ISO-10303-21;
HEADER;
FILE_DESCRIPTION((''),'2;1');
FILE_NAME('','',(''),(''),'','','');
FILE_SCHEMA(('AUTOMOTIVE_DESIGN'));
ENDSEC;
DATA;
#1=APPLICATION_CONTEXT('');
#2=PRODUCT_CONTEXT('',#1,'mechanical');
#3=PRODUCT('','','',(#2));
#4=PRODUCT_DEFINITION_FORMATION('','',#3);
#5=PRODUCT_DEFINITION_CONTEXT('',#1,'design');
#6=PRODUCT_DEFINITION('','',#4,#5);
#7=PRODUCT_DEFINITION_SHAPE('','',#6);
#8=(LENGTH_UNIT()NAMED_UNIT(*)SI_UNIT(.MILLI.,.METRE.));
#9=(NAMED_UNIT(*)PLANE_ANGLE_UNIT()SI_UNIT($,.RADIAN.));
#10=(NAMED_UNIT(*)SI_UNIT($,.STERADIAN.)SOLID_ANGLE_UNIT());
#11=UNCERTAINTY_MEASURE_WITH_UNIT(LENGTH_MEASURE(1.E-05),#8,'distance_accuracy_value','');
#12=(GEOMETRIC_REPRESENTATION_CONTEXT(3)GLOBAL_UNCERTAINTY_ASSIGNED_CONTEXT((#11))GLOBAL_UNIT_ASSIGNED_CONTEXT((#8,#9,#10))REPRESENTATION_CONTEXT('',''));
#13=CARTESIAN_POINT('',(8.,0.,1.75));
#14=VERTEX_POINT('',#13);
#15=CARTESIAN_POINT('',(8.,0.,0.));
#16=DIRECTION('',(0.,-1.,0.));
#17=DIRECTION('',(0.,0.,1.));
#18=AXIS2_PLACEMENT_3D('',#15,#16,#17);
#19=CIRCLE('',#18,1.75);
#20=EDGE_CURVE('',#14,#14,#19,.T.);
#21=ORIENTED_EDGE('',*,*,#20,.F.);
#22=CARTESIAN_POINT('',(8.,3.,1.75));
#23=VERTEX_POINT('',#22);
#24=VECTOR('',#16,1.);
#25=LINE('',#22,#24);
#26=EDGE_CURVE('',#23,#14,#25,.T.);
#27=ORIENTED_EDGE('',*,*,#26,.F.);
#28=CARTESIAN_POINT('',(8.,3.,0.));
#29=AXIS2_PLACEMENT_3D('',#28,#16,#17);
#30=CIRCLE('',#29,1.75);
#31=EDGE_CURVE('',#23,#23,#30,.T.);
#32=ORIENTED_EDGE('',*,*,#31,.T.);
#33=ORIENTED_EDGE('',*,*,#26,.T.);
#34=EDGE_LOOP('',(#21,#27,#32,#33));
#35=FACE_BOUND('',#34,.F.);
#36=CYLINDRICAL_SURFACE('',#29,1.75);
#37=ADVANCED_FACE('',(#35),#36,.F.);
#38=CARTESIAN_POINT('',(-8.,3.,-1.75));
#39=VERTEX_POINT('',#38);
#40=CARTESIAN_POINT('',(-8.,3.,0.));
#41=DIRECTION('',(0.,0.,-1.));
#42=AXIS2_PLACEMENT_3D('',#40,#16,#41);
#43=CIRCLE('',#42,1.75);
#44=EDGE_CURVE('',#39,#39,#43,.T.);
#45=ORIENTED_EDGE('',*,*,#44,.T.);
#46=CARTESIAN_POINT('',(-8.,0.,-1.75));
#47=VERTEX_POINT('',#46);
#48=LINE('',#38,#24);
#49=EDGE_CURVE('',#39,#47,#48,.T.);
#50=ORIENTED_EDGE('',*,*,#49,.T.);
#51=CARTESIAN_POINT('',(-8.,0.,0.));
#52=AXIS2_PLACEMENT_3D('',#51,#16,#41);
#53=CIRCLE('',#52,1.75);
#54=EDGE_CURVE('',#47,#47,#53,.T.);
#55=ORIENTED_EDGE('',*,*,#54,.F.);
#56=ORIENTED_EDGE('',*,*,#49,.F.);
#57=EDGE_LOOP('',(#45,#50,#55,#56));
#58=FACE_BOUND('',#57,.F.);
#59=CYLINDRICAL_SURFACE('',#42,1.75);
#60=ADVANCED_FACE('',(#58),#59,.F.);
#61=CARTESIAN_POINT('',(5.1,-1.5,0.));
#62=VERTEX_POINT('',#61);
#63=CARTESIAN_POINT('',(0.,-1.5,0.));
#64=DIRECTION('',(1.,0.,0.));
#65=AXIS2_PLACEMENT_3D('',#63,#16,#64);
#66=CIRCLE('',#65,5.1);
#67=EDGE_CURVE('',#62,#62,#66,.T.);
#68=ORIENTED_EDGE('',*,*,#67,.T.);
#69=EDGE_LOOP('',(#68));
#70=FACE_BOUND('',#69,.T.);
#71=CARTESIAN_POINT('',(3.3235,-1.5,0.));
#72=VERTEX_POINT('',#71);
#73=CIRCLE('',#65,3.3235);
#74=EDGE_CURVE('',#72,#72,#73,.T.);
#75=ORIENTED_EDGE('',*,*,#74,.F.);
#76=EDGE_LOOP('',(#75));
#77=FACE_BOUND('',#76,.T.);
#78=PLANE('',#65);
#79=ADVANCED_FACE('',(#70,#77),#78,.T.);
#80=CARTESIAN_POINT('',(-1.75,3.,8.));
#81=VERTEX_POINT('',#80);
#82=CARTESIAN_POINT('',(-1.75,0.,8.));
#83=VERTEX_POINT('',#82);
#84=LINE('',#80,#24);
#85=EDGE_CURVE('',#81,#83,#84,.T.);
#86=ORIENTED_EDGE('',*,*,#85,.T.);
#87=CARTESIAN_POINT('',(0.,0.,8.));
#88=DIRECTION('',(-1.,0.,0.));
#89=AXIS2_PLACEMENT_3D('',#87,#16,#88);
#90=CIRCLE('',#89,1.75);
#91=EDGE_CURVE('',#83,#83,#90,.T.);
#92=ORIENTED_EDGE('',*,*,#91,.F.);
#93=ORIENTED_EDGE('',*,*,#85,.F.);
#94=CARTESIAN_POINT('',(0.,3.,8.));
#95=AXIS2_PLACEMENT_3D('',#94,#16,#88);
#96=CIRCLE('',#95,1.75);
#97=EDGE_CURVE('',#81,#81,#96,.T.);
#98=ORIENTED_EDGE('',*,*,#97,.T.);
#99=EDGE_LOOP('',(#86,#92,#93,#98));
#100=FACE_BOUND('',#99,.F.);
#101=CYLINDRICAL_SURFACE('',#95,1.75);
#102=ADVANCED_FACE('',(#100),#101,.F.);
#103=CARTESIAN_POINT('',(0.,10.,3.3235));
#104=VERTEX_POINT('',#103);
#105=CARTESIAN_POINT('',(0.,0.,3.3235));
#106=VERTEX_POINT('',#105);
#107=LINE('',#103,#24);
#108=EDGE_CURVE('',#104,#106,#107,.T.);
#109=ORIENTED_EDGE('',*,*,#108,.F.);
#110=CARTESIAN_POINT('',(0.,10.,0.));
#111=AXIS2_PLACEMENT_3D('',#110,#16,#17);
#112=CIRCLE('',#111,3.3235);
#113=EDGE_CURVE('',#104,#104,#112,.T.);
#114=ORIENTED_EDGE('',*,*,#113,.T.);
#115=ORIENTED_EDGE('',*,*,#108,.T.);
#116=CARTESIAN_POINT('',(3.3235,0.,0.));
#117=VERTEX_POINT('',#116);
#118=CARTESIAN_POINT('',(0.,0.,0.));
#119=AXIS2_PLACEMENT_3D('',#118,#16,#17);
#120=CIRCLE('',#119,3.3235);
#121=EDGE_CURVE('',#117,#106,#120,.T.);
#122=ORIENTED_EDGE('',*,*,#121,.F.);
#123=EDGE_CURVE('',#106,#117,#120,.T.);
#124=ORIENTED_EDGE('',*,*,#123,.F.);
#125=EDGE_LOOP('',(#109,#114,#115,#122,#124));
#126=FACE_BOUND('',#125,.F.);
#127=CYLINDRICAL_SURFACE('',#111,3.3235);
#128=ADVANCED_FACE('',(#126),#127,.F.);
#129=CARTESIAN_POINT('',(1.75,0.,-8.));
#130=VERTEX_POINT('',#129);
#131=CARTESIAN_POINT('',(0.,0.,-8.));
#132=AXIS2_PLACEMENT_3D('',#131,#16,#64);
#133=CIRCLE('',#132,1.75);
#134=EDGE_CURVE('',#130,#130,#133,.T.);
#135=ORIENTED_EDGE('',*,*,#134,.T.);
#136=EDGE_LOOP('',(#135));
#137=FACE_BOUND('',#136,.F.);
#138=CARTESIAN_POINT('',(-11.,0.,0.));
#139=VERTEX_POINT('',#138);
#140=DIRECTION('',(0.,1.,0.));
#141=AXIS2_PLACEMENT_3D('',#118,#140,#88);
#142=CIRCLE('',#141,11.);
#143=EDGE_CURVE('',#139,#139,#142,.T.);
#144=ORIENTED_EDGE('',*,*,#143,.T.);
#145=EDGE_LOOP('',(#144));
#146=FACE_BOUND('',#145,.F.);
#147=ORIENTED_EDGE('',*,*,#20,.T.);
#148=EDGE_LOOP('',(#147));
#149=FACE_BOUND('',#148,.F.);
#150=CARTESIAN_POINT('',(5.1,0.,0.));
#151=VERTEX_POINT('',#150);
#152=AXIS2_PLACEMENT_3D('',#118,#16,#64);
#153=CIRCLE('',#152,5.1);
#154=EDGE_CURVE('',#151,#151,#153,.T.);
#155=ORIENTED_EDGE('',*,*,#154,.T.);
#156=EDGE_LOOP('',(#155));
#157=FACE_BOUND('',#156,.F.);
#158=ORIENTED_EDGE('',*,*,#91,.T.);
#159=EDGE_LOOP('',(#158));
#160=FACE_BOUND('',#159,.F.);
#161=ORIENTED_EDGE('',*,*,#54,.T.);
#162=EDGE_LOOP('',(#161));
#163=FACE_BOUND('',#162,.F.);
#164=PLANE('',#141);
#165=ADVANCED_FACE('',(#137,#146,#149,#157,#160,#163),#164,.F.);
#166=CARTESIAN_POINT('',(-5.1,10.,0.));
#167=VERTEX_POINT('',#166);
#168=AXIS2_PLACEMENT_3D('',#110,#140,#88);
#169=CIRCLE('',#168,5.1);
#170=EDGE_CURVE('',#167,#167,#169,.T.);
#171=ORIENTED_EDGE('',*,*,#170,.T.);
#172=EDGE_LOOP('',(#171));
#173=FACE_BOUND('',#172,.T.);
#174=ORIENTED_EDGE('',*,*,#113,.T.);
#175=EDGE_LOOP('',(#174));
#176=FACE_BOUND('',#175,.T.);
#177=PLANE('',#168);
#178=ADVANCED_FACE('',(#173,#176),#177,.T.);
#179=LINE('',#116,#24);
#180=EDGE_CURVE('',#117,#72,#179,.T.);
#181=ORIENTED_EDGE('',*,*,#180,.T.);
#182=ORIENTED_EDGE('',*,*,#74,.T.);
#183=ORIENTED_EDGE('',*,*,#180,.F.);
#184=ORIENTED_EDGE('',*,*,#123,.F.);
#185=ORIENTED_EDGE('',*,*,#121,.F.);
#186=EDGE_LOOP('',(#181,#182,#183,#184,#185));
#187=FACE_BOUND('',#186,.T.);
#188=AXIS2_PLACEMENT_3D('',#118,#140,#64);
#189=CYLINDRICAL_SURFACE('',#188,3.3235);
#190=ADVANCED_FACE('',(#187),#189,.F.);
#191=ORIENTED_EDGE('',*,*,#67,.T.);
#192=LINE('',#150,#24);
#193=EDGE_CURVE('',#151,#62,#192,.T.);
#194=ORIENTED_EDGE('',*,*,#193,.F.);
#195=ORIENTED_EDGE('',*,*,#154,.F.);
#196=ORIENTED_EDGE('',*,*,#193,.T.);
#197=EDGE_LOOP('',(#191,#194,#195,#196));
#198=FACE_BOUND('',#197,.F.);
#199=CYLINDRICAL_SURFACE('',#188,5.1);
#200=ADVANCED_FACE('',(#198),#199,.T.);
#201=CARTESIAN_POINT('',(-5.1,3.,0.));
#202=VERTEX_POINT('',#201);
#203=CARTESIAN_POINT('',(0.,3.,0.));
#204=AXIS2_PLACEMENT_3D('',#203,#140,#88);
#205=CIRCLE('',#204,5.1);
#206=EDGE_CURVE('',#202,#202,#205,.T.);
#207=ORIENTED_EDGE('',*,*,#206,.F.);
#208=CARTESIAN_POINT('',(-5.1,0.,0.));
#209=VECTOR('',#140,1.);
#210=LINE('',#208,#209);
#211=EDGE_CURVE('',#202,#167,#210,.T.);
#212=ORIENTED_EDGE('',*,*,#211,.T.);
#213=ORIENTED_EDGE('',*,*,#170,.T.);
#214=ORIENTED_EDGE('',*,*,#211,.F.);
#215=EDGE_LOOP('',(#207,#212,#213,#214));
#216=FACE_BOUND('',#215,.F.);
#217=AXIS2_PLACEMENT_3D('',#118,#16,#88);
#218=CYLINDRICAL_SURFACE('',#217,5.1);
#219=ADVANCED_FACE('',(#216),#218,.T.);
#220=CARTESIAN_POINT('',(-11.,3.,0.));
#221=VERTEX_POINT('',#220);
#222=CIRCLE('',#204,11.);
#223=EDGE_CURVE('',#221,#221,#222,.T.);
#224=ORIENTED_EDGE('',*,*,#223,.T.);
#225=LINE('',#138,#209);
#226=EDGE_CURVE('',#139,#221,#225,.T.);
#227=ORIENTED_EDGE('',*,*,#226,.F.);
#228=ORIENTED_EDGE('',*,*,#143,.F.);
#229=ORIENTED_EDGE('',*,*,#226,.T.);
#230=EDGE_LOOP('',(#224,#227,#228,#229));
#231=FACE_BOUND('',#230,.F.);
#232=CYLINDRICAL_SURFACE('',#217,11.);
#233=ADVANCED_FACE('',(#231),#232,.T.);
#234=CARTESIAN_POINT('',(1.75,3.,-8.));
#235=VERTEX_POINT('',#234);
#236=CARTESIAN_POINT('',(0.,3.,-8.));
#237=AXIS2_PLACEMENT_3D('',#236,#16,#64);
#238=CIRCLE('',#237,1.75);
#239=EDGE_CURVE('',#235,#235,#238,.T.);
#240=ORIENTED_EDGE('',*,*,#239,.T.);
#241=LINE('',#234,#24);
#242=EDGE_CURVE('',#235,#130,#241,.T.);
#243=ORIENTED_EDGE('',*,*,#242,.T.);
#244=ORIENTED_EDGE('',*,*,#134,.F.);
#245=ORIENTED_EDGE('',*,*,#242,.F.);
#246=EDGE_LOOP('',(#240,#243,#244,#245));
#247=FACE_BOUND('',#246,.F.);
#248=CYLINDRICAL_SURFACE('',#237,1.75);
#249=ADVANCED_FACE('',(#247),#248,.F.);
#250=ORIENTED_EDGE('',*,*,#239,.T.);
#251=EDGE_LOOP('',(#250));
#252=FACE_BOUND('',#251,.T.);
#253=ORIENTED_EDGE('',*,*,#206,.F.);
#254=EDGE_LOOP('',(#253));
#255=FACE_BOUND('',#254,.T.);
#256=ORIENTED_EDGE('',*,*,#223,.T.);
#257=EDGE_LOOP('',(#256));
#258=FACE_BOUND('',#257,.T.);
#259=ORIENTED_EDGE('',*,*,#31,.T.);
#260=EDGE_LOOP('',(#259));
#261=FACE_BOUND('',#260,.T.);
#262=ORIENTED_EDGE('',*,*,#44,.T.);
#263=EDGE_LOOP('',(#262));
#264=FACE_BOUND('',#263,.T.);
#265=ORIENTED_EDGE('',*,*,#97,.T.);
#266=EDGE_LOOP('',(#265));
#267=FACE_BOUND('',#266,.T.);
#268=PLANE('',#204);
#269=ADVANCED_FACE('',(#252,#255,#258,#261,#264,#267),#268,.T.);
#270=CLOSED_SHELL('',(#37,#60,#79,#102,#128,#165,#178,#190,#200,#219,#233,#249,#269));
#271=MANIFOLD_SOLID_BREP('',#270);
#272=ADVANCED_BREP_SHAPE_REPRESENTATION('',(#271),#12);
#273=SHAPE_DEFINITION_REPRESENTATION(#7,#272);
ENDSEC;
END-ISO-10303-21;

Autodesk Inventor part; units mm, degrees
ref_plane "YZ Plane" through (0, 0, 0) normal (1, 0, 0) x (0, 1, 0)
ref_plane "XZ Plane" through (0, 0, 0) normal (0, 1, 0) x (-1, 0, 0)
ref_plane "XY Plane" through (0, 0, 0) normal (0, 0, 1) x (1, 0, 0)
sketch "Sketch1" plane through (0, 0, 0) normal (0, 1, 0) x (-1, 0, 0)
  circle A0 centre (0, 0) radius 11
  circle A1 centre (0, 0) radius 5.1
  dimension "d0" = 22
  dimension "d1" = 10.2
extrude "Extrusion1" add sketch "Sketch1" along normal blind 3
extrude "Extrusion2" add sketch "Sketch1" along normal blind 10 contours A1
sketch "Sketch2" plane through (0, 10, 0) normal (0, 1, 0) x (1, 0, 0)
  circle A0 centre (0, 0) radius 5.1 projected
hole "Hole1" at (0, 10, 0) direction (0, -1, 0) diameter 6.647 end through all thread size "M8x1.25" class "6H" standard "ISO Metric profile"
sketch "Sketch3" plane through (0, 0, 0) normal (0, -1, 0) x (1, 0, 0)
  circle A0 centre (0, 0) radius 5.1
  circle A1 centre (0, 0) radius 3.3235 projected
  dimension "d13" = 10.2
extrude "Extrusion3" add sketch "Sketch3" along normal blind 1.5
sketch "Sketch4" plane through (0, 3, 0) normal (0, 1, 0) x (1, 0, 0)
  point P0 (0, 0)
  point P1 (8, 0)
  dimension "d16" = 8
hole "Hole2" at (8, 3, 0) direction (0, -1, 0) diameter 3.5 end through all
pattern_circular "Circular Pattern1" count 4 over 360 about axis through (0, -22.6803, 0) along (0, 1, 0) of "Hole2"
properties part number "DAI_OC"
